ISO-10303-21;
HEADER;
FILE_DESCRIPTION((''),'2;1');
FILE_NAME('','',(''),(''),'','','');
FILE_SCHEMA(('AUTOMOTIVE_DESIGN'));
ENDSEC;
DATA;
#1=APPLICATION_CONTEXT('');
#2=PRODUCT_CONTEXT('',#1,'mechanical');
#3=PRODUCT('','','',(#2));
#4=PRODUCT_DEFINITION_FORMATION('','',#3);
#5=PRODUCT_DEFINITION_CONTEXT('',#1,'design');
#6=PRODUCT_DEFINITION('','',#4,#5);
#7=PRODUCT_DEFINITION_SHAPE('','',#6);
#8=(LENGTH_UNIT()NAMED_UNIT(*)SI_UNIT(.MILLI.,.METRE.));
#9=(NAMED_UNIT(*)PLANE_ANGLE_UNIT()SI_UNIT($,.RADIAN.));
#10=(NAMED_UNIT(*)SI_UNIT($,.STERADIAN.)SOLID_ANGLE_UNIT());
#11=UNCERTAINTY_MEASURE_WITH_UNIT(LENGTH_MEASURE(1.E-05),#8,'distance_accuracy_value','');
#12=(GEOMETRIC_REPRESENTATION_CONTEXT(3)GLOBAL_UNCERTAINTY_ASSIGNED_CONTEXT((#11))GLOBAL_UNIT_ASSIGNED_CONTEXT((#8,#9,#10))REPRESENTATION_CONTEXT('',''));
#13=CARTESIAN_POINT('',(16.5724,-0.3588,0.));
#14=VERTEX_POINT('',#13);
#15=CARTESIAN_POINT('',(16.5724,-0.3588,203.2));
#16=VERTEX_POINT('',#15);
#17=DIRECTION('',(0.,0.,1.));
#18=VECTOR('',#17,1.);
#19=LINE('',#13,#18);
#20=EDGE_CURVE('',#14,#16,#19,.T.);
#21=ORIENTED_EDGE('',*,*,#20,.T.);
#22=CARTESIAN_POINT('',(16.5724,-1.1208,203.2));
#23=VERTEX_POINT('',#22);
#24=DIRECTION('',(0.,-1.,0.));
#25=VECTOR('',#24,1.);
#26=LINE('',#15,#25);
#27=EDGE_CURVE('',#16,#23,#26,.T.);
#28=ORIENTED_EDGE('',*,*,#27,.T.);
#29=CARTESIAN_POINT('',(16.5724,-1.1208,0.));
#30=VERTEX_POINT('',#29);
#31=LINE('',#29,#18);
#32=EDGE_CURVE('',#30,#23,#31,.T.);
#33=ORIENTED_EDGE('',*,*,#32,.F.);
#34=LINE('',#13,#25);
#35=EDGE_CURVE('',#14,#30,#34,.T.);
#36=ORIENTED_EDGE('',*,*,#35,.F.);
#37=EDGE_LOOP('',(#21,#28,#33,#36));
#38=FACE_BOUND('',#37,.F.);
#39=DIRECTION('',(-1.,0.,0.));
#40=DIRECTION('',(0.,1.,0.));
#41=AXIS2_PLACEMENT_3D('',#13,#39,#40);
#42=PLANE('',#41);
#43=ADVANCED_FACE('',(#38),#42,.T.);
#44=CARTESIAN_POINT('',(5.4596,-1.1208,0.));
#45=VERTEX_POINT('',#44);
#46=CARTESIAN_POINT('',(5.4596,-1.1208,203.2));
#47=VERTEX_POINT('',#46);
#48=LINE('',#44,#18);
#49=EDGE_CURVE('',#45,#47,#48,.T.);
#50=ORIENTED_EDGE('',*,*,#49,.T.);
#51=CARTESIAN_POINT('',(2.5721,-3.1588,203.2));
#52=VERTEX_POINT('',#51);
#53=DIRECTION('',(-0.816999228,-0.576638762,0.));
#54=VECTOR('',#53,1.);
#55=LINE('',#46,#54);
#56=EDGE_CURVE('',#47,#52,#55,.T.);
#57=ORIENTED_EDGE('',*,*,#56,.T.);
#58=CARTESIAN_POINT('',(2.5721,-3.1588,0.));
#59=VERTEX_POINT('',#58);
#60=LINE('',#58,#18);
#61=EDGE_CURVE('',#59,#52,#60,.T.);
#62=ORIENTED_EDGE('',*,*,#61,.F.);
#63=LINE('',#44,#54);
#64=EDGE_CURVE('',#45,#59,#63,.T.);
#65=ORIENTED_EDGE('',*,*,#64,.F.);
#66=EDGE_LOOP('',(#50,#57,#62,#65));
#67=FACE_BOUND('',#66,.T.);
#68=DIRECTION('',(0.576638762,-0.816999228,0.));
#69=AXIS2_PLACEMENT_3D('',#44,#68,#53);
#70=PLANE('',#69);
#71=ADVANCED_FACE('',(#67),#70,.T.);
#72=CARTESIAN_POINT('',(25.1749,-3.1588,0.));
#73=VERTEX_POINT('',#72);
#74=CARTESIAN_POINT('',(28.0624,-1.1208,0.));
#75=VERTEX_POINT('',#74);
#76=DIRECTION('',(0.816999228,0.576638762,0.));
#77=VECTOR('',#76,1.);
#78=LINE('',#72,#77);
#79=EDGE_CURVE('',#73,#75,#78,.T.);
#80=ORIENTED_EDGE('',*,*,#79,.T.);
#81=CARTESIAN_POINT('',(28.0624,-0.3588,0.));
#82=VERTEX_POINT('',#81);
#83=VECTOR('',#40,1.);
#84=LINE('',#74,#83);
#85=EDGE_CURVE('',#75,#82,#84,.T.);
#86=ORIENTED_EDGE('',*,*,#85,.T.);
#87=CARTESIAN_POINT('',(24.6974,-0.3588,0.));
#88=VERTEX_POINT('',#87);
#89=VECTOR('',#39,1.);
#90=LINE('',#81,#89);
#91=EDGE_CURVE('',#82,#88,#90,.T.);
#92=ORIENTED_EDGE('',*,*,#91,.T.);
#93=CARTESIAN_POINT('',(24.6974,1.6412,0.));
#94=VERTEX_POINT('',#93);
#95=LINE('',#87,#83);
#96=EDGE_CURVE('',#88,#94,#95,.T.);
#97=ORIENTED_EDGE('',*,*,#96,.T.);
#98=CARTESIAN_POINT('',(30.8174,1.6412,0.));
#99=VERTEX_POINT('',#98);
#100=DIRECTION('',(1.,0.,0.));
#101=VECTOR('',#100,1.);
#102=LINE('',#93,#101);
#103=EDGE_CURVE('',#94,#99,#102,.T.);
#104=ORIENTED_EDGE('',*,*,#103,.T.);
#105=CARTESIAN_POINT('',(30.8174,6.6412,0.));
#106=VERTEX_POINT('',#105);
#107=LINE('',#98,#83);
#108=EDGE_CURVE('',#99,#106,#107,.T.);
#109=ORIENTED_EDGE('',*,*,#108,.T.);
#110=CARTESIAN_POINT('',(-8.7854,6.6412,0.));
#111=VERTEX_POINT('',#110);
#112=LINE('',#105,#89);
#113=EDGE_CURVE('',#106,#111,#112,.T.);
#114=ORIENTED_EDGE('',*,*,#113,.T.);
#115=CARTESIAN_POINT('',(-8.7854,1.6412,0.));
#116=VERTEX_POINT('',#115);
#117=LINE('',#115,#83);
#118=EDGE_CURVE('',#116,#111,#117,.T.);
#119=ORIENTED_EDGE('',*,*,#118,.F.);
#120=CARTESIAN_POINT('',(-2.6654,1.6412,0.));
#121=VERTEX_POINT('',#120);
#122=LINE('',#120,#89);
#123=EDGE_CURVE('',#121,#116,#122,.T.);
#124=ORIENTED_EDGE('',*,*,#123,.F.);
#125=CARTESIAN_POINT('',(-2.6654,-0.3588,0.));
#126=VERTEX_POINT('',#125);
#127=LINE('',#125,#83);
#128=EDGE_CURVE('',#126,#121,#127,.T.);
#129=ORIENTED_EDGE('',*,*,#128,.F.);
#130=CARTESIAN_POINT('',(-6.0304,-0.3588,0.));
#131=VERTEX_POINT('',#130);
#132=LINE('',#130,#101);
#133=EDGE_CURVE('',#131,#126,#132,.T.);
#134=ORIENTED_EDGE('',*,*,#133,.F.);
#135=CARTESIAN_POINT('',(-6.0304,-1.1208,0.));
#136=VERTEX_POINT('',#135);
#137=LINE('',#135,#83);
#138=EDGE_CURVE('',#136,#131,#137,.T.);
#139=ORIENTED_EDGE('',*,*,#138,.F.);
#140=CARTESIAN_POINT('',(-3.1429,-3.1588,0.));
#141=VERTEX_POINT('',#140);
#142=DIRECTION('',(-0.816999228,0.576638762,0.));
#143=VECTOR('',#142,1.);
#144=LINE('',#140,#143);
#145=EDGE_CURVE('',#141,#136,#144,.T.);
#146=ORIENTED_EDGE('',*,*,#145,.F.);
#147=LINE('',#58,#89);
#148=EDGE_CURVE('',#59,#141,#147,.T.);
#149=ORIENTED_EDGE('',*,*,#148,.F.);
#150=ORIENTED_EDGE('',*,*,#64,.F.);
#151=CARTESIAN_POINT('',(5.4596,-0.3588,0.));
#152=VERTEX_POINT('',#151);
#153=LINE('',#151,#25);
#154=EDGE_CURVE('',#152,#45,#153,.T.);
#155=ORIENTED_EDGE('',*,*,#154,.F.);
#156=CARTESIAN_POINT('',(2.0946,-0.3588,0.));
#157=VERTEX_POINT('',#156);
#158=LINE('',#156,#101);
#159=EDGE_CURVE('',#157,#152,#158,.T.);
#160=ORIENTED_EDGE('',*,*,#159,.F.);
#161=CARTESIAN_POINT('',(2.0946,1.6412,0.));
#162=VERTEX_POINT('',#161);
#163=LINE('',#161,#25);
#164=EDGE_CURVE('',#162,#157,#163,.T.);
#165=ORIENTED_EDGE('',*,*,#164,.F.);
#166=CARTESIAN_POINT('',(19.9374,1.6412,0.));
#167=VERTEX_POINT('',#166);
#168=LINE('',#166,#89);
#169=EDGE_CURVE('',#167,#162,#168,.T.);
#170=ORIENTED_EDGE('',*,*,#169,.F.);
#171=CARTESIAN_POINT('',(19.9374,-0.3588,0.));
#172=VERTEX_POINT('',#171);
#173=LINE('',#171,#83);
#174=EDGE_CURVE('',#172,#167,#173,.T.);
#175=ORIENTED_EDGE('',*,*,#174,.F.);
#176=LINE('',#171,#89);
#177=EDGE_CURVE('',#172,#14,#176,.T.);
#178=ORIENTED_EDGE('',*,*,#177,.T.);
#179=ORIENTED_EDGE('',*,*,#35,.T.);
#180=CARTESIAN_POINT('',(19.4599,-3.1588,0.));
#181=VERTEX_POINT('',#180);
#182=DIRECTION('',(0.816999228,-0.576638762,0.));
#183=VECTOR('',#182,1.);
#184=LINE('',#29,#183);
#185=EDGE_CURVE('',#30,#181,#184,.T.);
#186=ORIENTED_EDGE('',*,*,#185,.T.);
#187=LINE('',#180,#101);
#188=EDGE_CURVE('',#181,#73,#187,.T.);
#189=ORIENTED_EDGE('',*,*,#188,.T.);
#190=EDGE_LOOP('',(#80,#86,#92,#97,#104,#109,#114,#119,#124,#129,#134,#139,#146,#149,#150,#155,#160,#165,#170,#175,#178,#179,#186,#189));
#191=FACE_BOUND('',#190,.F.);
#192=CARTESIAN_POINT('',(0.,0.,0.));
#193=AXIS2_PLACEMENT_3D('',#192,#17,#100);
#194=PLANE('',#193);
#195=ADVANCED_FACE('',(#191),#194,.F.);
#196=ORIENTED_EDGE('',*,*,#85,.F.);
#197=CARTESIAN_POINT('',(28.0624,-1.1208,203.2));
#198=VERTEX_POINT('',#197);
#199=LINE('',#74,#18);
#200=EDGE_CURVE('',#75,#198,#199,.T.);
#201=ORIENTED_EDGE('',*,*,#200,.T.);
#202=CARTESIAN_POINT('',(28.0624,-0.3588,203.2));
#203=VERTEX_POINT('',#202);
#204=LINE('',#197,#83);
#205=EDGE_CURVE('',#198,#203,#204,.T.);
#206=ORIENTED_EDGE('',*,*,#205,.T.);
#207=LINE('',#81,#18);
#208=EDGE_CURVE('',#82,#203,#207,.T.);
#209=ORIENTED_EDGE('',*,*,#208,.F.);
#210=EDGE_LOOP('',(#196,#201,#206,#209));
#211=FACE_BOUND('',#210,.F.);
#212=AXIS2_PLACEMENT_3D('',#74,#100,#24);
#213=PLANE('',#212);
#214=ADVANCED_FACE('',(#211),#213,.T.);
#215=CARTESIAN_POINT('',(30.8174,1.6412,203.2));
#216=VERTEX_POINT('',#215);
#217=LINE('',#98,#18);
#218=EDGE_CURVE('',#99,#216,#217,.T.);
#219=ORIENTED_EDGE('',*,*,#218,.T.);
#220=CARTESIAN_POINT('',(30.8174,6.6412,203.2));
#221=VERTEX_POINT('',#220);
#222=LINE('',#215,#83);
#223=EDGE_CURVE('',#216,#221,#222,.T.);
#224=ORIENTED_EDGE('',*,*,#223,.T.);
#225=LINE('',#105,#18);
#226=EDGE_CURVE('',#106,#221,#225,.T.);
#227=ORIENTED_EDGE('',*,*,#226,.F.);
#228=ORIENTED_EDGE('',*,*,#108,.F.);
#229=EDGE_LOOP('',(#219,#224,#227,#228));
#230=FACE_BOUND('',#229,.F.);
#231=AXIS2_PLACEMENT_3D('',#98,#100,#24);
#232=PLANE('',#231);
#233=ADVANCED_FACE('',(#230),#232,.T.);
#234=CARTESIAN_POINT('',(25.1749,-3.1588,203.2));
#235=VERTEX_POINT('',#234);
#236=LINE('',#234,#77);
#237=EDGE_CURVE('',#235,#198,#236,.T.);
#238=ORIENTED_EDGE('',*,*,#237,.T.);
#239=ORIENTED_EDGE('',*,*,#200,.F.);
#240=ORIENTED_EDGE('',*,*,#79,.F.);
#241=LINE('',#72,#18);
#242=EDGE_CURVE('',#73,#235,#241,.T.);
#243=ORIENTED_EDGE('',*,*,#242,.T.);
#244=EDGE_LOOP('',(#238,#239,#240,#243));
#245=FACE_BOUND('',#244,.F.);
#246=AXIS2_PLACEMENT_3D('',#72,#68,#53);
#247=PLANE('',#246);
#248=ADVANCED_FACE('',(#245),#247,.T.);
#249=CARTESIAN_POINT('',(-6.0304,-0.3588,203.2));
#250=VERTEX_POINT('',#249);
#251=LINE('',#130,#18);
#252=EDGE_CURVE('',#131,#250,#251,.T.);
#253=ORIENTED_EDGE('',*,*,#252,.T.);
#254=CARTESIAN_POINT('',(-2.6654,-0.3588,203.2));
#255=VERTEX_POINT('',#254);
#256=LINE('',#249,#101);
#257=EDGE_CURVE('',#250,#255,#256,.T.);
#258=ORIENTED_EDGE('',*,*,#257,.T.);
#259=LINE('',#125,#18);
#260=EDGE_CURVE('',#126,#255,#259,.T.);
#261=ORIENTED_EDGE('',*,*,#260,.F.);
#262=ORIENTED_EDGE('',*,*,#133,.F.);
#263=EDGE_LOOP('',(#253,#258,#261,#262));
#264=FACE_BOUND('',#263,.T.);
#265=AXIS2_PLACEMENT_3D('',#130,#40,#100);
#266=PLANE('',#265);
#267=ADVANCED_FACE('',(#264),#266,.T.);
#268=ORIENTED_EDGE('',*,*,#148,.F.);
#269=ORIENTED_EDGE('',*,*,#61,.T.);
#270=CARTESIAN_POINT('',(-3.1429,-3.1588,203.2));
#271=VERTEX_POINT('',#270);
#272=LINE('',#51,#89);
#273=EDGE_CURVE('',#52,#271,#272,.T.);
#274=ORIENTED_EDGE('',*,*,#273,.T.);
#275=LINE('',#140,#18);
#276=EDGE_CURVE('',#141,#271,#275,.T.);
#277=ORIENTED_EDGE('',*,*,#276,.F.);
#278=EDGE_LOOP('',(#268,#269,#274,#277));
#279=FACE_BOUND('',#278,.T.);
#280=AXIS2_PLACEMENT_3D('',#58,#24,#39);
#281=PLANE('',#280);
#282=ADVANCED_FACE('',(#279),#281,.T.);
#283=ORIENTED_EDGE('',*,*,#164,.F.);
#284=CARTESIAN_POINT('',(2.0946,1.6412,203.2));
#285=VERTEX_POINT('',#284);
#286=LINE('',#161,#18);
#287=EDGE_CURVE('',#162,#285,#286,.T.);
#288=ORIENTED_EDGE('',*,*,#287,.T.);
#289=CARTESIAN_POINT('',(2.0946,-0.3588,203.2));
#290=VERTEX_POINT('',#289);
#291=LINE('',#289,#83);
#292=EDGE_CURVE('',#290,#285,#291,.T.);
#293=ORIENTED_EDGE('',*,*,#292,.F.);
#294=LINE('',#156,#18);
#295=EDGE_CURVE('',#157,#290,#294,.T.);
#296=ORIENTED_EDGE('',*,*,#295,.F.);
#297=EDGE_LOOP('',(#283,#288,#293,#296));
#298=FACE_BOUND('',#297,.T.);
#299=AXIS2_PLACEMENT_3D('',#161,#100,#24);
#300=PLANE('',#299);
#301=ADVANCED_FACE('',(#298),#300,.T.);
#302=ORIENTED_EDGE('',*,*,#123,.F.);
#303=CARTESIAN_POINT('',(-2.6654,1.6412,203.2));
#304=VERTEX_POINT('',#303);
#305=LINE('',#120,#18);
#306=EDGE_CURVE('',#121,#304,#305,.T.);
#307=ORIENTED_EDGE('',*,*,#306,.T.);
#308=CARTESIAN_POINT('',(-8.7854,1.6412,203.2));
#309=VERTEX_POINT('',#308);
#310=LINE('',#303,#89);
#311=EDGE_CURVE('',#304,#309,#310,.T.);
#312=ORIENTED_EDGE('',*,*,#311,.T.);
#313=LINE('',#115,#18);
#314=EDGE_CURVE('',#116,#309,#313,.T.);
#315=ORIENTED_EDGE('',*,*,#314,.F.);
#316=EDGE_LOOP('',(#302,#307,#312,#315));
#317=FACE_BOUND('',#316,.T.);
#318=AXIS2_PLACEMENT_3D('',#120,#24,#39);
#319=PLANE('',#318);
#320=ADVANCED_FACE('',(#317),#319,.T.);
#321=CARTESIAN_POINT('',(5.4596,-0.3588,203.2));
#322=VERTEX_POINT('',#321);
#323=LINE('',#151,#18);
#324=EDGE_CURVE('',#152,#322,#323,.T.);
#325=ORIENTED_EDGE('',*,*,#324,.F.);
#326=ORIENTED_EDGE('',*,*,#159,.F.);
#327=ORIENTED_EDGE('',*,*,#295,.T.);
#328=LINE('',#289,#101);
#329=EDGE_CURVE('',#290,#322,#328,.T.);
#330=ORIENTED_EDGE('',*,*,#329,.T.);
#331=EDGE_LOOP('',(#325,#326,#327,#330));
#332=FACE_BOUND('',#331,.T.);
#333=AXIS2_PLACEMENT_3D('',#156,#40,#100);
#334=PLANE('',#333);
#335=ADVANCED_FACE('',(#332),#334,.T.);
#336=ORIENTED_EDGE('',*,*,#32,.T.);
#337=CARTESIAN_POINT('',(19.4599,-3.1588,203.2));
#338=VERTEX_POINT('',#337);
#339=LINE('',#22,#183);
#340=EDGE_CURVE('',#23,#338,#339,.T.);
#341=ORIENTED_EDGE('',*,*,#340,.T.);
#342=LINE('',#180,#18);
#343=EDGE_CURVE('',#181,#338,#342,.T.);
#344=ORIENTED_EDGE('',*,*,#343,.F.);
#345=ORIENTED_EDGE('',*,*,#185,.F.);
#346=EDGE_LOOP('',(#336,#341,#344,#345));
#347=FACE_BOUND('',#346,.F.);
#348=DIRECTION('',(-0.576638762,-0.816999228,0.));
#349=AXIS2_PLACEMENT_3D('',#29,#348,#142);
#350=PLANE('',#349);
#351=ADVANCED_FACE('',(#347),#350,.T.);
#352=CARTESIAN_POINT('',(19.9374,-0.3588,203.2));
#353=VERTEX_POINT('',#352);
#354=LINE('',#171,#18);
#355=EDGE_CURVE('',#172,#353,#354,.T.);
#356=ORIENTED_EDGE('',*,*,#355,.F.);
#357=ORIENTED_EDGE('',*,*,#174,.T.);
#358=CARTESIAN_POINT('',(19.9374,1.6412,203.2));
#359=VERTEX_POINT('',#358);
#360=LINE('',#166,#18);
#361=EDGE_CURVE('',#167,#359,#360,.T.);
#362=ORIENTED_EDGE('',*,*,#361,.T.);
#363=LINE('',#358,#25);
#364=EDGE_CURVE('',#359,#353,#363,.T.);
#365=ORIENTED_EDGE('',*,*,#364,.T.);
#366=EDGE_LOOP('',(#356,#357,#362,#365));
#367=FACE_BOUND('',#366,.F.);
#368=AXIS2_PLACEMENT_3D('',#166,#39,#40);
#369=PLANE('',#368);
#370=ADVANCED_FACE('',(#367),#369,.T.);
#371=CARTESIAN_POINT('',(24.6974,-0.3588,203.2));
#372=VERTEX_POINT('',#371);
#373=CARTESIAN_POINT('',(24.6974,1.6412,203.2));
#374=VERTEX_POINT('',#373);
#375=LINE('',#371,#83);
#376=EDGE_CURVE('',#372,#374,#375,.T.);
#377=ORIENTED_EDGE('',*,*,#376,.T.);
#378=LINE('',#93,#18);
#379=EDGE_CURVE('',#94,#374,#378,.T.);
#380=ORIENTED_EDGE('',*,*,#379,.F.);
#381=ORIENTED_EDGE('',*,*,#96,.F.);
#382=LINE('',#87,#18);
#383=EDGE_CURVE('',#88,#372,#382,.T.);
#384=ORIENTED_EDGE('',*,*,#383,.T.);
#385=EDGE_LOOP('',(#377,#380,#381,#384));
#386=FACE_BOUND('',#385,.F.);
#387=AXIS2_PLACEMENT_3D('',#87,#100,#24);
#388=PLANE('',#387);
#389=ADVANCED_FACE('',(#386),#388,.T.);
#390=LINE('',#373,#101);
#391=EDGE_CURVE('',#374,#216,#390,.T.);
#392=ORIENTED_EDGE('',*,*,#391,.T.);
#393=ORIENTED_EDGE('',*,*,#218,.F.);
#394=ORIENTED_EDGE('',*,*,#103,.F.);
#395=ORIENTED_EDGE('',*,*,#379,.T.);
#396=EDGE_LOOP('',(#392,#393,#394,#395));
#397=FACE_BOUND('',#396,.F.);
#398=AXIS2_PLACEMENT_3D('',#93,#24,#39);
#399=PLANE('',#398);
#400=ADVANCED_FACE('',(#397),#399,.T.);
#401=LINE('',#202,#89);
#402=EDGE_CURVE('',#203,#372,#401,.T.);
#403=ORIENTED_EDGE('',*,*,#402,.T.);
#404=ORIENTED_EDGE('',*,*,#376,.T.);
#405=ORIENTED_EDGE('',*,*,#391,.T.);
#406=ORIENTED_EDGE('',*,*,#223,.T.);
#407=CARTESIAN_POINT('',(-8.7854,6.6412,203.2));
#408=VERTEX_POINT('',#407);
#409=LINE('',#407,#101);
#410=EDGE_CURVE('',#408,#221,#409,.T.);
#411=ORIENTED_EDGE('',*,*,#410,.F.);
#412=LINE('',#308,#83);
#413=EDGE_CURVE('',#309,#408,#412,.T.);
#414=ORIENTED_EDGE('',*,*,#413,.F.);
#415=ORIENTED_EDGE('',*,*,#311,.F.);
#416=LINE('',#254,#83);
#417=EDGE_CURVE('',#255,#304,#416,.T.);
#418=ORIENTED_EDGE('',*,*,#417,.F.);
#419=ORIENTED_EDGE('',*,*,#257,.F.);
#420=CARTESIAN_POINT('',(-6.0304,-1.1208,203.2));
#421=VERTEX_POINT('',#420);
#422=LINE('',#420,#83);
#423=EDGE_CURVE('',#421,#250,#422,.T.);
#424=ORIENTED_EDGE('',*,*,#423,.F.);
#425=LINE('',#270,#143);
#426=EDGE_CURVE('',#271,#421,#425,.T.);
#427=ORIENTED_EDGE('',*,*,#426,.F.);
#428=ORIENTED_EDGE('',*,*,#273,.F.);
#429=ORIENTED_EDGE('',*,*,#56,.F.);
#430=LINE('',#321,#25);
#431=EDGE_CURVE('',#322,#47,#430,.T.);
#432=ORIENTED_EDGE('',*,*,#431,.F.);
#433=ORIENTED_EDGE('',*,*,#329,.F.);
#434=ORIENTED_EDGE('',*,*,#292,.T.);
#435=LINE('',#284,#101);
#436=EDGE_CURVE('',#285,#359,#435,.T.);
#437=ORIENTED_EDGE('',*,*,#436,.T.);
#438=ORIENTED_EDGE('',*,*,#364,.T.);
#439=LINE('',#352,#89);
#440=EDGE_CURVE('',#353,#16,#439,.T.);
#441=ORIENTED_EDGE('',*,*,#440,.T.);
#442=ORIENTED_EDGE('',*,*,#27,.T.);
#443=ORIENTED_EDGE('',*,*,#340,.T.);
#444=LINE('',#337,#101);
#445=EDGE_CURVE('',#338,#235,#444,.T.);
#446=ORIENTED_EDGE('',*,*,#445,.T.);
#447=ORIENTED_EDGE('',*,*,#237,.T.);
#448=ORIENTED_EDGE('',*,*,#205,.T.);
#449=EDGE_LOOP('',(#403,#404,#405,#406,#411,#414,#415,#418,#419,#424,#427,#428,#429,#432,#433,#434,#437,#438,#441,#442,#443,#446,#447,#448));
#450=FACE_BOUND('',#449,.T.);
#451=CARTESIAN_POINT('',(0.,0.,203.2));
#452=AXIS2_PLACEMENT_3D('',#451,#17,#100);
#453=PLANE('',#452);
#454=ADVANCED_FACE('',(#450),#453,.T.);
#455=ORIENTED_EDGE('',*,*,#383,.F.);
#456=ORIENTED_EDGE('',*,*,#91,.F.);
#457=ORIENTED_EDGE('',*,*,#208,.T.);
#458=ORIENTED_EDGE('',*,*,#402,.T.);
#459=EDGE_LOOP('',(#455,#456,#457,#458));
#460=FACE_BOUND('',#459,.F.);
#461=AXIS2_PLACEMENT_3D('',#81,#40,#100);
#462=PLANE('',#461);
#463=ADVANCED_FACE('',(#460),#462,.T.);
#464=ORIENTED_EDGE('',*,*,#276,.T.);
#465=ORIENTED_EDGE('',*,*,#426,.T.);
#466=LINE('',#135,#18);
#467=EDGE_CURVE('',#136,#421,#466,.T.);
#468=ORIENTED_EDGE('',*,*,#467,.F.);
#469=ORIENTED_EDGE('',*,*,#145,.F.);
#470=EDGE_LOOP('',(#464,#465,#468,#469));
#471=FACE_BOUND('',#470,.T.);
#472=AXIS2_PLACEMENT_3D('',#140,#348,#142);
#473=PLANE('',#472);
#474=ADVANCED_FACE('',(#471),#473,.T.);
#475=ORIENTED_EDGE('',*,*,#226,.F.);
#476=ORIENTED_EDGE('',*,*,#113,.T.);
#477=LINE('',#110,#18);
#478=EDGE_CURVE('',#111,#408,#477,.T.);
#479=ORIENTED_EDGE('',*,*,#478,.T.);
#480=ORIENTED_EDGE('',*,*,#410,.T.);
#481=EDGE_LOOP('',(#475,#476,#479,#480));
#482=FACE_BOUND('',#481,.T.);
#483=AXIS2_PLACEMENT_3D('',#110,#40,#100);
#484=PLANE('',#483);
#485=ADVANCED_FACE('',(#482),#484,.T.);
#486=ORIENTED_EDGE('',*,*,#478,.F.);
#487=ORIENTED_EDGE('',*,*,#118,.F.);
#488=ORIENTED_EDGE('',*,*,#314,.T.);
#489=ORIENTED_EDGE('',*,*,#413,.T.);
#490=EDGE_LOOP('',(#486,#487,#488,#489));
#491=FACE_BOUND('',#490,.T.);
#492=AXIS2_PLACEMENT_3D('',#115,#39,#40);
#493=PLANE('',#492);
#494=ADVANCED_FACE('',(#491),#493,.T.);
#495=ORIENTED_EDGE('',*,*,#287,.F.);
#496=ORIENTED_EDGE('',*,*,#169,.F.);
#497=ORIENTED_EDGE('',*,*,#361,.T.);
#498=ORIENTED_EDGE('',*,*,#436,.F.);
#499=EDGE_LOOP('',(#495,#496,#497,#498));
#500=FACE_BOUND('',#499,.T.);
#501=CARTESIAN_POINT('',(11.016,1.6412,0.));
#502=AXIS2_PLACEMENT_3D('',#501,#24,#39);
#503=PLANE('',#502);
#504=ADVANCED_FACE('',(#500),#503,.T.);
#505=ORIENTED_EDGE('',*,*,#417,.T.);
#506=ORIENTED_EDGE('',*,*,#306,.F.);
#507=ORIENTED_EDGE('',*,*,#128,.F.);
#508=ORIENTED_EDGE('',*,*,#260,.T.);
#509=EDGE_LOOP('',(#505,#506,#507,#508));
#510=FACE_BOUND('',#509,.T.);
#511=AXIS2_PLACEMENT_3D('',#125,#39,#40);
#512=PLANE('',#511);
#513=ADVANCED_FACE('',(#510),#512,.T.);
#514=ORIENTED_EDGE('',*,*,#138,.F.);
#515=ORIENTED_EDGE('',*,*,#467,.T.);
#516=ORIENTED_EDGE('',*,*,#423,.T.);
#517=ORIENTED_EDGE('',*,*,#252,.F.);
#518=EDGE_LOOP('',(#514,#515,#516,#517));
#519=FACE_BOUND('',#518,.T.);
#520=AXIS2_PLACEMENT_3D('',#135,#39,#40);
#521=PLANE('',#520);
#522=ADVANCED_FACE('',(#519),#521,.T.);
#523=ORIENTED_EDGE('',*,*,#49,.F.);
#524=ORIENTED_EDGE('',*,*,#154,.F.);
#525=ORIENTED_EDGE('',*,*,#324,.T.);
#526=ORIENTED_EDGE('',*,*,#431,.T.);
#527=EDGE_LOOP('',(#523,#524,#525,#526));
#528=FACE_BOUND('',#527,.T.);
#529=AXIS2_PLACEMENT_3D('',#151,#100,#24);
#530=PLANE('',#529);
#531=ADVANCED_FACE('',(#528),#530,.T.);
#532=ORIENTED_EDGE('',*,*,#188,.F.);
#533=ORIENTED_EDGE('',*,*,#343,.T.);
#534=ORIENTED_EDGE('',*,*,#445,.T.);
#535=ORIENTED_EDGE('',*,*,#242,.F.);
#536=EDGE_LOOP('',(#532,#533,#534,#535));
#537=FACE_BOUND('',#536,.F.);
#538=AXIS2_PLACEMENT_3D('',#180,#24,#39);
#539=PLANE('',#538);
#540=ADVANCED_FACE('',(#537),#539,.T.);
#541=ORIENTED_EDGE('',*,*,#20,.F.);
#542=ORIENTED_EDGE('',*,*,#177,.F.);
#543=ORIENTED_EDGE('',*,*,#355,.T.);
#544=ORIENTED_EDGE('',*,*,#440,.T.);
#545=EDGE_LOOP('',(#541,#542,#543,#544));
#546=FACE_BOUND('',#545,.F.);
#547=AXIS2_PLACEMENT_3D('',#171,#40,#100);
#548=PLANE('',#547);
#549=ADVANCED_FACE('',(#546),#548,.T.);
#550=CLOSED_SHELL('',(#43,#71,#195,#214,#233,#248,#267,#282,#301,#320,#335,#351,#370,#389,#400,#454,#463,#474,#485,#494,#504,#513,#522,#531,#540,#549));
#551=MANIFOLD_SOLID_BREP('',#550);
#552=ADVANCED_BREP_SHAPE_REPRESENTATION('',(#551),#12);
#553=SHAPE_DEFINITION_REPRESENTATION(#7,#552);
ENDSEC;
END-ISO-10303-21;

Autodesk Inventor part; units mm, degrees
ref_plane "YZ Plane" through (0, 0, 0) normal (1, 0, 0) x (0, 1, 0)
ref_plane "XZ Plane" through (0, 0, 0) normal (0, 1, 0) x (-1, 0, 0)
ref_plane "XY Plane" through (0, 0, 0) normal (0, 0, 1) x (1, 0, 0)
sketch "Sketch1" plane through (0, 0, 0) normal (0, 0, 1) x (1, 0, 0)
  line L0 (0, 0) -> (14.5304, 0)
  line L1 (-8.7854, 6.6412) -> (11.016, 6.6412)
  line L2 (11.016, 1.6412) -> (2.0946, 1.6412)
  line L3 (2.0946, 1.6412) -> (2.0946, -0.3588)
  line L4 (2.0946, -0.3588) -> (5.4596, -0.3588)
  line L5 (2.5721, -3.1588) -> (-3.1429, -3.1588)
  line L6 (-3.1429, -3.1588) -> (-6.0304, -1.1208)
  line L7 (-6.0304, -1.1208) -> (-6.0304, -0.3588)
  line L8 (-6.0304, -0.3588) -> (-2.6654, -0.3588)
  line L9 (-2.6654, -0.3588) -> (-2.6654, 1.6412)
  line L10 (-2.6654, 1.6412) -> (-8.7854, 1.6412)
  line L11 (-8.7854, 1.6412) -> (-8.7854, 6.6412)
  line L12 (5.4596, -0.3588) -> (5.4596, -1.1208)
  line L13 (5.4596, -1.1208) -> (2.5721, -3.1588)
  line L14 (11.016, 6.6412) -> (11.016, 1.6412)
  line L15 (0, 0) -> (0, 4.3587)
  line L16 (11.016, 6.6412) -> (11.016, 1.6412)
  dimension "d2" = 5
  dimension "d3" = 2
  dimension "d4" = 4.76
  dimension "d6" = 11.49
  dimension "d7" = 2.755
  dimension "d8" = 5.715
  dimension "d9" = 5.6425
  dimension "d10" = 6.12
  dimension "d11" = 0.762
  dimension "d12" = 0.762
  dimension "d50" = 144.786
  dimension "d51" = 2.8875
  dimension "d53" = 11.016
extrude "Extrusion1" add sketch "Sketch1" along normal blind 203.2
mirror "Mirror1" about plane through (11.016, 1.6412, 0) normal (1, 0, 0)
equation "\"d7\" = -0.5 * d6 + 0.5 * d0"
equation "\"d9\" = -0.5 * d8 + 0.5 * d0"
equation "\"d10\" = -0.5 * d4 + 0.5 * d0"
equation "\"d12\" = d11"
equation "\"d0\" = 17"
properties part number "Sliderfor2020"
